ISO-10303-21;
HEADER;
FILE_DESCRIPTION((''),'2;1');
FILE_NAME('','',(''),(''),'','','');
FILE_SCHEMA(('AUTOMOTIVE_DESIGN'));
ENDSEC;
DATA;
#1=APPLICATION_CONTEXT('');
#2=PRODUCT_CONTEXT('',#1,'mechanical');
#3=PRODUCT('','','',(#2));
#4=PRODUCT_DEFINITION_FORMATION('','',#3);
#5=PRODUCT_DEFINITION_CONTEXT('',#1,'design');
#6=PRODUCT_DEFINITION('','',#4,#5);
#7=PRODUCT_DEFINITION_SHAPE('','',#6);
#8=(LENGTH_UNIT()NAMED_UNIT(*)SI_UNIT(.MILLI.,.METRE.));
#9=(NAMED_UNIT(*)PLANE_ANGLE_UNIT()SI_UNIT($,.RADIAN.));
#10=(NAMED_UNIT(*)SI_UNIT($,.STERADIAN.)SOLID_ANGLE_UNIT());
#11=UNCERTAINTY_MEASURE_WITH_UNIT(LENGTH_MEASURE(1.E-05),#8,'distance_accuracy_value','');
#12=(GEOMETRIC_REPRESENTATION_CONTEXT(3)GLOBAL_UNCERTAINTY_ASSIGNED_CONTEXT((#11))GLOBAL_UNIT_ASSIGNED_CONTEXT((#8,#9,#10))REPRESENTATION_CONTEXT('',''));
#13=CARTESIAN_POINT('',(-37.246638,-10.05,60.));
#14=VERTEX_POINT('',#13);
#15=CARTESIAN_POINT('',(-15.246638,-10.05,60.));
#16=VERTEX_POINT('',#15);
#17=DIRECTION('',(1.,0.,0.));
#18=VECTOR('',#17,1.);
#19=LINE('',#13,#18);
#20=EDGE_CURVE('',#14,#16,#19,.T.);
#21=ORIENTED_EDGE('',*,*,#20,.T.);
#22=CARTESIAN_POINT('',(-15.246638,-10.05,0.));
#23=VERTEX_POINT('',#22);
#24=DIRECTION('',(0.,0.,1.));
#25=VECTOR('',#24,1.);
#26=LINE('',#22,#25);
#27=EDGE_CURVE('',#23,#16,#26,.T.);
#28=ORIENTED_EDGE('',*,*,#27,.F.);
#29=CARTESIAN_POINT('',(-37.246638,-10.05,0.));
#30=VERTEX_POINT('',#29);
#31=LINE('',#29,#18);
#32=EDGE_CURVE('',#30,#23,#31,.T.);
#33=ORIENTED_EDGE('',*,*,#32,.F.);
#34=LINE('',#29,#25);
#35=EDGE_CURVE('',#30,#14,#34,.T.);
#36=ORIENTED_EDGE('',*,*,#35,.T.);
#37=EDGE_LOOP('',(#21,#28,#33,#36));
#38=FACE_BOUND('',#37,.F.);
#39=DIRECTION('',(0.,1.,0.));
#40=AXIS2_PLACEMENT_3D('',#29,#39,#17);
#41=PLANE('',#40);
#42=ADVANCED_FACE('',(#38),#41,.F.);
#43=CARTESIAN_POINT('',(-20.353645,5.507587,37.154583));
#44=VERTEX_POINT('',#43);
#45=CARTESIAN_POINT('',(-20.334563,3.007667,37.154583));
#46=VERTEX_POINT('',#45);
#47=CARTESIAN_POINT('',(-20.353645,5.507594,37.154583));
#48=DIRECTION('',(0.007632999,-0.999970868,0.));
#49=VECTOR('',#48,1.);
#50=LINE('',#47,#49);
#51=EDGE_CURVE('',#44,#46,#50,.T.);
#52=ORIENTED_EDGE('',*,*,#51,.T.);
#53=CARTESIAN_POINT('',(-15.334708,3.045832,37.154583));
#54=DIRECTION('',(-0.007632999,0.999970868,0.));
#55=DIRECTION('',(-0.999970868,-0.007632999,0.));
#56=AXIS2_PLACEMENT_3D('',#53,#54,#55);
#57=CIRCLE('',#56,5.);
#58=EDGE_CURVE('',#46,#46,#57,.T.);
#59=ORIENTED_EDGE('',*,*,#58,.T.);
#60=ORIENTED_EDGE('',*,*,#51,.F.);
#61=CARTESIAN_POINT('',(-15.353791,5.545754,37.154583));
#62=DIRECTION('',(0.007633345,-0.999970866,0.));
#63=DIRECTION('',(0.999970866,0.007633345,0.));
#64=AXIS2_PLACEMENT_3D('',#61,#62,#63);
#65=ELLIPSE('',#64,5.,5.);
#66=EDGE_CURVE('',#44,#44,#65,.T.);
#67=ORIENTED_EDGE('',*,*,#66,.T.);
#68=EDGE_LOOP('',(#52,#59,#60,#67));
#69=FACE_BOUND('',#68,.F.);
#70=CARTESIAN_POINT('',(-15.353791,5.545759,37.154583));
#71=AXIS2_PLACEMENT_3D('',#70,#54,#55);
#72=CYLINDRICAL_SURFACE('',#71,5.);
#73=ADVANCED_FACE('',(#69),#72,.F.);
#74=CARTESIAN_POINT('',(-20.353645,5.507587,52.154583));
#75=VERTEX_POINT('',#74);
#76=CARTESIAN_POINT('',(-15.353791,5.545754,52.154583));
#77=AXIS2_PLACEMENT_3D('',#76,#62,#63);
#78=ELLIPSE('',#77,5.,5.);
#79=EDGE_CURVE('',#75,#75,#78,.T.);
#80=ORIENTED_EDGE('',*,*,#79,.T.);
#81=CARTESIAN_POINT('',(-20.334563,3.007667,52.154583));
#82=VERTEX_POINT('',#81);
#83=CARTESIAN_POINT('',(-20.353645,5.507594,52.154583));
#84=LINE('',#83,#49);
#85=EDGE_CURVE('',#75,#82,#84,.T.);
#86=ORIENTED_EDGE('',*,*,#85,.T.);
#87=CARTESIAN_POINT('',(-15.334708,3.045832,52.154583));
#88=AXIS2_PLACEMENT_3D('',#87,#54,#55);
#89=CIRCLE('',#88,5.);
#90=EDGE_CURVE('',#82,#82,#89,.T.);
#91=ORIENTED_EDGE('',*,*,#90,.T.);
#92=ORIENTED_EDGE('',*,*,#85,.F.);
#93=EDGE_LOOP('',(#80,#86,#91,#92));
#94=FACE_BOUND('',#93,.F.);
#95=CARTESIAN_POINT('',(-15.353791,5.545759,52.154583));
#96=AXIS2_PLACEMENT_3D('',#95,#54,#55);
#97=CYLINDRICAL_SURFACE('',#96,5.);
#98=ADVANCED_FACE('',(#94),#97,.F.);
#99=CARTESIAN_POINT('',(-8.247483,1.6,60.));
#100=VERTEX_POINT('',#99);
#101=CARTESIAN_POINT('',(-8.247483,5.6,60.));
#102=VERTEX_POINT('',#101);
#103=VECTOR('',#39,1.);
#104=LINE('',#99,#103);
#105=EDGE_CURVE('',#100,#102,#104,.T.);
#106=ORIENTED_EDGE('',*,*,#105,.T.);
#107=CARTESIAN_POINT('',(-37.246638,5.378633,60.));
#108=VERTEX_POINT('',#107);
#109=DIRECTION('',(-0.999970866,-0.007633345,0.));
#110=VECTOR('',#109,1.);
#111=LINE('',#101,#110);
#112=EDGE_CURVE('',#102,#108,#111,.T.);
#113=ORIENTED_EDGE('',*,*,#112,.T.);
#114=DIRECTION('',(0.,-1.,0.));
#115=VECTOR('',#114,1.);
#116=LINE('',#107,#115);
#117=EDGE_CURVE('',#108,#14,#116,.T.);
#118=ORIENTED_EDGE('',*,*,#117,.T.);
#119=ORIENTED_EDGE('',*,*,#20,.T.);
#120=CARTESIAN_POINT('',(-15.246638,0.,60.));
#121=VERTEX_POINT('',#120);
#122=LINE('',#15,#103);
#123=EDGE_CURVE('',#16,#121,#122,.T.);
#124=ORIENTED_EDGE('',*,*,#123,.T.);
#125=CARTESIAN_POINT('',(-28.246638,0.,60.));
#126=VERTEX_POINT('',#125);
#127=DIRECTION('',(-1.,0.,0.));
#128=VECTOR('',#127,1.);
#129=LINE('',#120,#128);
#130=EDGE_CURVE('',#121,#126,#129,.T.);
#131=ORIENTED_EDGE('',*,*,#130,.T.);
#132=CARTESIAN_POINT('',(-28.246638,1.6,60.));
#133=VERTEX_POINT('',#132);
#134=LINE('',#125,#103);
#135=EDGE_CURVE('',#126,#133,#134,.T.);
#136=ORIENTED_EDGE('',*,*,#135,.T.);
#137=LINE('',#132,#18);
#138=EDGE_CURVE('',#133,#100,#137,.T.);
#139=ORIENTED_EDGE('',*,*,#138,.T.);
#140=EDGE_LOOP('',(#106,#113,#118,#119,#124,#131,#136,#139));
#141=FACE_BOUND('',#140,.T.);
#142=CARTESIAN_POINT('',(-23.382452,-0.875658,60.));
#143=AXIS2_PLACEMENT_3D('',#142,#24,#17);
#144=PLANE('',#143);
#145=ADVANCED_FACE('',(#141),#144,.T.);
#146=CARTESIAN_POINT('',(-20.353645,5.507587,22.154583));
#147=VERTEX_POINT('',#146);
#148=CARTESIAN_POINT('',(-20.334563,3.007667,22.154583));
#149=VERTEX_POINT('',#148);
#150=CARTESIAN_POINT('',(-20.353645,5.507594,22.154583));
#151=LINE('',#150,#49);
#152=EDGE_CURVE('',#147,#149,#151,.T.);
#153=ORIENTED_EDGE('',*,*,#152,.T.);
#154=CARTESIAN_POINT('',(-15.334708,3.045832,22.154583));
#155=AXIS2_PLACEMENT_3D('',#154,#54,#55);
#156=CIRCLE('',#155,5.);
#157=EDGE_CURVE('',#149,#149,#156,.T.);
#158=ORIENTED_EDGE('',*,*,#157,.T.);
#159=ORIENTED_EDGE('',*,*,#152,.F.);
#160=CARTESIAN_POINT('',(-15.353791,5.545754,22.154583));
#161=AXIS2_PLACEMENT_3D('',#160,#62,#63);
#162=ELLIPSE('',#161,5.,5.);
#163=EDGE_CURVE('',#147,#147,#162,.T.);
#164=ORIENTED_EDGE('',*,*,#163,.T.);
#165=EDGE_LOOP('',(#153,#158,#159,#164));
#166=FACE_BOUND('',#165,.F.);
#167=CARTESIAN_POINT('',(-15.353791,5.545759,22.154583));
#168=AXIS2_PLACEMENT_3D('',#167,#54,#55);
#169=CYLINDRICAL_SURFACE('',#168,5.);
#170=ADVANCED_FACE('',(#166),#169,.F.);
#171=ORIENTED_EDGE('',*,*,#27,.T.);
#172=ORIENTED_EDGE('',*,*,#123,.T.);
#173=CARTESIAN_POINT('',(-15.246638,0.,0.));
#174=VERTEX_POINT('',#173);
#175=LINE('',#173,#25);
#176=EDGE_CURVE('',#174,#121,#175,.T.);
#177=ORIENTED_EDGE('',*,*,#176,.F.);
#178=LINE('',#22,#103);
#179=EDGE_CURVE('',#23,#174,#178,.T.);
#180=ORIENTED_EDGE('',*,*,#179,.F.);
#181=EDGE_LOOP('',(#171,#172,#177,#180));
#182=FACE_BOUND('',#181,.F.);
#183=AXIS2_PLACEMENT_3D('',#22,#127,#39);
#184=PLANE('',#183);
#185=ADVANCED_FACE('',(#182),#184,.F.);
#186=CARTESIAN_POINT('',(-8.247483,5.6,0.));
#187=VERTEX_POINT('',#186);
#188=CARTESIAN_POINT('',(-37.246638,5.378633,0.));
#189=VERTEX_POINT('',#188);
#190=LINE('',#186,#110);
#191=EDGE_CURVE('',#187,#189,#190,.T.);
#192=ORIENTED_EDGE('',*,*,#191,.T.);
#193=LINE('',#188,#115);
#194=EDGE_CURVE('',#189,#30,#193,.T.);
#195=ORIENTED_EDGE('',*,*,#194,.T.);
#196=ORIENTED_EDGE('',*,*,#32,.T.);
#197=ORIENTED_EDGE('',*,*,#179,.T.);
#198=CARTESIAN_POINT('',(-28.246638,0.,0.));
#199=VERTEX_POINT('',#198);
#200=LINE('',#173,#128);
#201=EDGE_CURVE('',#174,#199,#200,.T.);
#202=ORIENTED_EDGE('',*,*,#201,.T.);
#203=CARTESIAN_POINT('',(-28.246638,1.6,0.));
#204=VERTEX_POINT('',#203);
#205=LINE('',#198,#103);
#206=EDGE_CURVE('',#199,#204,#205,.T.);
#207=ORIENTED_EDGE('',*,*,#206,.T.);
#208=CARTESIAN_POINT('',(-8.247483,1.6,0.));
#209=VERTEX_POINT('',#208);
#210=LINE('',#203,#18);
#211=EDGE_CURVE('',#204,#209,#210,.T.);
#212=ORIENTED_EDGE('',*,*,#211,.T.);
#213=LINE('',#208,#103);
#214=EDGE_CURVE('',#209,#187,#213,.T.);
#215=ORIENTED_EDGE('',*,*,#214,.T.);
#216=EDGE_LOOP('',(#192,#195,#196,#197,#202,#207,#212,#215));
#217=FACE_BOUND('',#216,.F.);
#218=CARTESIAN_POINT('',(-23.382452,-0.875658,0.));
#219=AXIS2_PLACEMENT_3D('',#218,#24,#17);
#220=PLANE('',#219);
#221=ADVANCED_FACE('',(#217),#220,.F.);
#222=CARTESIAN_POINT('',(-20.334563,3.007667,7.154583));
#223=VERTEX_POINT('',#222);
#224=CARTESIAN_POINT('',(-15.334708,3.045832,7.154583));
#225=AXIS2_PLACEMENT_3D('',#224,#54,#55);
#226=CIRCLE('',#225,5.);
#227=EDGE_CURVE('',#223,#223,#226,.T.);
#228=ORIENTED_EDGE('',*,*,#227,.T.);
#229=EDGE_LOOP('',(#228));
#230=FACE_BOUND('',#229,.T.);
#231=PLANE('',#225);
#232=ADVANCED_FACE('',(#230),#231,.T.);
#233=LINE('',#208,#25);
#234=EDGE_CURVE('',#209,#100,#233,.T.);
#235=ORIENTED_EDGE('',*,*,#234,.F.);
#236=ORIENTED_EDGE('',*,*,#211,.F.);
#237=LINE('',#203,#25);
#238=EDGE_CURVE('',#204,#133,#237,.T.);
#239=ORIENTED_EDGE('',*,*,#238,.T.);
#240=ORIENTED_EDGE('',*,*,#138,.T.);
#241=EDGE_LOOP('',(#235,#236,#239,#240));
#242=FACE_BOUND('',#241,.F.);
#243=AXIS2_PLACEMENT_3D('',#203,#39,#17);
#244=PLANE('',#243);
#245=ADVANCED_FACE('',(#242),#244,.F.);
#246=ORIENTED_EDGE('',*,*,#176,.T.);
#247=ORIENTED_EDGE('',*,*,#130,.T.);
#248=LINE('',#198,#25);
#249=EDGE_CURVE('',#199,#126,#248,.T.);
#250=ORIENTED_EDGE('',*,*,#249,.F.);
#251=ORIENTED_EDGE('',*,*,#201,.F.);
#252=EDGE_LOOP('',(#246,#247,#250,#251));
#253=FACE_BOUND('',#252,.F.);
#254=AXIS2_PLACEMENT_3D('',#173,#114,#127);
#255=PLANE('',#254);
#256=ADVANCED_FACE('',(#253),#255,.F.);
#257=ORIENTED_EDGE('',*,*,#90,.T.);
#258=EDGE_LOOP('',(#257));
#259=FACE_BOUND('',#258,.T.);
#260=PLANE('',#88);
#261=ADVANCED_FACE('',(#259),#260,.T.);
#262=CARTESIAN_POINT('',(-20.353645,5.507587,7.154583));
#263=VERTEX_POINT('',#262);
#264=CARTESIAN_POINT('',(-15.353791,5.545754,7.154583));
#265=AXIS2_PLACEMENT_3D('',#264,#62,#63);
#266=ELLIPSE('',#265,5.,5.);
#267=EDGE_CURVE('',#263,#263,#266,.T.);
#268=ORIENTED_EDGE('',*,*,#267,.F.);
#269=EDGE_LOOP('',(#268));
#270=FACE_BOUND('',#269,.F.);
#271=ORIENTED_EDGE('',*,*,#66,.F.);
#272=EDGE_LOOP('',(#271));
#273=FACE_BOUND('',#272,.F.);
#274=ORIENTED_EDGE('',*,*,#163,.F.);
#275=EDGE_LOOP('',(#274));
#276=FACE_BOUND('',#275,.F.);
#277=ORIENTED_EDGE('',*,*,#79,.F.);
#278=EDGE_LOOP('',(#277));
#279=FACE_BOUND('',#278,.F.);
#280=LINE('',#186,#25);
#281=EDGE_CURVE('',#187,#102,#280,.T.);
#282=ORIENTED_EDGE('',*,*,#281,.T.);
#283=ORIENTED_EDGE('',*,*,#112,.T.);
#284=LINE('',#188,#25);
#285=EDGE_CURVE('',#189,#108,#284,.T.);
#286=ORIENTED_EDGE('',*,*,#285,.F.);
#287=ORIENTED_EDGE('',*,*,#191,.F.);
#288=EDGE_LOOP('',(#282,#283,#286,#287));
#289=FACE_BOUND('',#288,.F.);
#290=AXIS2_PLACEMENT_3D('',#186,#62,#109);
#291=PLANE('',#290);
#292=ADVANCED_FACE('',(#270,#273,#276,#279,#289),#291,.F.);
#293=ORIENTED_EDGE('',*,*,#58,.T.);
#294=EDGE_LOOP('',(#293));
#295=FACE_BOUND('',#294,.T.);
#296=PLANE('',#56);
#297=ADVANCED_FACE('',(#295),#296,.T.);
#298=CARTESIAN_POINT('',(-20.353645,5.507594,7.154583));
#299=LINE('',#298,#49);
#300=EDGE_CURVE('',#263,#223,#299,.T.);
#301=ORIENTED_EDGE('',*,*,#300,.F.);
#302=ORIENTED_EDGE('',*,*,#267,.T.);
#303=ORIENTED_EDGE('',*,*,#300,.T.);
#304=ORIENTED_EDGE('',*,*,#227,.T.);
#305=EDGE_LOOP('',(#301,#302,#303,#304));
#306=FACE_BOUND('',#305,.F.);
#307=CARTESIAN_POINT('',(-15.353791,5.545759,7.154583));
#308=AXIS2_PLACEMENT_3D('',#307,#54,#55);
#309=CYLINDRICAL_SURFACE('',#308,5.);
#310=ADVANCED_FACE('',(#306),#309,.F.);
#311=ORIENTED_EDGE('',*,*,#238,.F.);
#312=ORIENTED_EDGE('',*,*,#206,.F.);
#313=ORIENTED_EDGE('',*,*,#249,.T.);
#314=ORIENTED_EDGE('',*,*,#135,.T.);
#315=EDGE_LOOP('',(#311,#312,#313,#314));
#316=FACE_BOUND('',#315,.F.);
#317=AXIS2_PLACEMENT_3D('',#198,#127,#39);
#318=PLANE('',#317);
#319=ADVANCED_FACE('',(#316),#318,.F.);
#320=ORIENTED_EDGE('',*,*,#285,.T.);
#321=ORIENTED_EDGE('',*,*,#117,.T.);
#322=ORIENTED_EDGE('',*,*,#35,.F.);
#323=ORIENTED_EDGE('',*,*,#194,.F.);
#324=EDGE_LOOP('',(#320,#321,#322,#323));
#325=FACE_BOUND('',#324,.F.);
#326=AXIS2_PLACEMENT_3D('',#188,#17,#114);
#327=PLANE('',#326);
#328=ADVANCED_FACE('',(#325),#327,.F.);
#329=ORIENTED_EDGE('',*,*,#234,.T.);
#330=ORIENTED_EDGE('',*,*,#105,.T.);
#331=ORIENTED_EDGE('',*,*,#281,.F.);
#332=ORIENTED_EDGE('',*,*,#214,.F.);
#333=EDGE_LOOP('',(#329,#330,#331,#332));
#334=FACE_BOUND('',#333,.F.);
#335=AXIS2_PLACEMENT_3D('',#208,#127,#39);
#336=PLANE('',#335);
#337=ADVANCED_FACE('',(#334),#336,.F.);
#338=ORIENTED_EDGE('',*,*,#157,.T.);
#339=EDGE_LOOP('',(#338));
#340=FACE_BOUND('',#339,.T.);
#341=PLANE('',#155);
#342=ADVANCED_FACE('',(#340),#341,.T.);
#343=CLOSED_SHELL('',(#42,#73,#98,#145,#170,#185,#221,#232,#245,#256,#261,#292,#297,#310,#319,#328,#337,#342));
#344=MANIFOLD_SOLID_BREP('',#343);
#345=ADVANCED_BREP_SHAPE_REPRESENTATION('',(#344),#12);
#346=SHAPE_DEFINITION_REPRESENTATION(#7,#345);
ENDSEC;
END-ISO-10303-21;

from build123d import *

# Parameters (mm, degrees)
F1_DEPTH = 60
F2_R     = 5
F3_DEPTH = 2.5


with BuildPart() as f1:
    # F0 (on Top) → F1 (new body)
    with BuildSketch(Plane.XY):
        Polygon((-8.247483, 5.6), (-37.246638, 5.378633), (-37.246638, -10.05), (-15.246638, -10.05), (-15.246638, 0), (-28.246638, 0), (-28.246638, 1.6), (-8.247483, 1.6), align=None)
    extrude(amount=F1_DEPTH)

    # F2 (on face) → F3 (cut)
    with BuildSketch(Plane(origin=(-0.043226, 5.662628, 0), x_dir=(-0.999971, -0.007633, 0), z_dir=(-0.007633, 0.999971, 0))):
        with Locations((15.311011, 7.154583)):
            Circle(F2_R)
        with Locations((15.311011, 22.154583)):
            Circle(F2_R)
        with Locations((15.311011, 37.154583)):
            Circle(F2_R)
        with Locations((15.311011, 52.154583)):
            Circle(F2_R)
    extrude(amount=-F3_DEPTH, mode=Mode.SUBTRACT)


solid = f1.part
